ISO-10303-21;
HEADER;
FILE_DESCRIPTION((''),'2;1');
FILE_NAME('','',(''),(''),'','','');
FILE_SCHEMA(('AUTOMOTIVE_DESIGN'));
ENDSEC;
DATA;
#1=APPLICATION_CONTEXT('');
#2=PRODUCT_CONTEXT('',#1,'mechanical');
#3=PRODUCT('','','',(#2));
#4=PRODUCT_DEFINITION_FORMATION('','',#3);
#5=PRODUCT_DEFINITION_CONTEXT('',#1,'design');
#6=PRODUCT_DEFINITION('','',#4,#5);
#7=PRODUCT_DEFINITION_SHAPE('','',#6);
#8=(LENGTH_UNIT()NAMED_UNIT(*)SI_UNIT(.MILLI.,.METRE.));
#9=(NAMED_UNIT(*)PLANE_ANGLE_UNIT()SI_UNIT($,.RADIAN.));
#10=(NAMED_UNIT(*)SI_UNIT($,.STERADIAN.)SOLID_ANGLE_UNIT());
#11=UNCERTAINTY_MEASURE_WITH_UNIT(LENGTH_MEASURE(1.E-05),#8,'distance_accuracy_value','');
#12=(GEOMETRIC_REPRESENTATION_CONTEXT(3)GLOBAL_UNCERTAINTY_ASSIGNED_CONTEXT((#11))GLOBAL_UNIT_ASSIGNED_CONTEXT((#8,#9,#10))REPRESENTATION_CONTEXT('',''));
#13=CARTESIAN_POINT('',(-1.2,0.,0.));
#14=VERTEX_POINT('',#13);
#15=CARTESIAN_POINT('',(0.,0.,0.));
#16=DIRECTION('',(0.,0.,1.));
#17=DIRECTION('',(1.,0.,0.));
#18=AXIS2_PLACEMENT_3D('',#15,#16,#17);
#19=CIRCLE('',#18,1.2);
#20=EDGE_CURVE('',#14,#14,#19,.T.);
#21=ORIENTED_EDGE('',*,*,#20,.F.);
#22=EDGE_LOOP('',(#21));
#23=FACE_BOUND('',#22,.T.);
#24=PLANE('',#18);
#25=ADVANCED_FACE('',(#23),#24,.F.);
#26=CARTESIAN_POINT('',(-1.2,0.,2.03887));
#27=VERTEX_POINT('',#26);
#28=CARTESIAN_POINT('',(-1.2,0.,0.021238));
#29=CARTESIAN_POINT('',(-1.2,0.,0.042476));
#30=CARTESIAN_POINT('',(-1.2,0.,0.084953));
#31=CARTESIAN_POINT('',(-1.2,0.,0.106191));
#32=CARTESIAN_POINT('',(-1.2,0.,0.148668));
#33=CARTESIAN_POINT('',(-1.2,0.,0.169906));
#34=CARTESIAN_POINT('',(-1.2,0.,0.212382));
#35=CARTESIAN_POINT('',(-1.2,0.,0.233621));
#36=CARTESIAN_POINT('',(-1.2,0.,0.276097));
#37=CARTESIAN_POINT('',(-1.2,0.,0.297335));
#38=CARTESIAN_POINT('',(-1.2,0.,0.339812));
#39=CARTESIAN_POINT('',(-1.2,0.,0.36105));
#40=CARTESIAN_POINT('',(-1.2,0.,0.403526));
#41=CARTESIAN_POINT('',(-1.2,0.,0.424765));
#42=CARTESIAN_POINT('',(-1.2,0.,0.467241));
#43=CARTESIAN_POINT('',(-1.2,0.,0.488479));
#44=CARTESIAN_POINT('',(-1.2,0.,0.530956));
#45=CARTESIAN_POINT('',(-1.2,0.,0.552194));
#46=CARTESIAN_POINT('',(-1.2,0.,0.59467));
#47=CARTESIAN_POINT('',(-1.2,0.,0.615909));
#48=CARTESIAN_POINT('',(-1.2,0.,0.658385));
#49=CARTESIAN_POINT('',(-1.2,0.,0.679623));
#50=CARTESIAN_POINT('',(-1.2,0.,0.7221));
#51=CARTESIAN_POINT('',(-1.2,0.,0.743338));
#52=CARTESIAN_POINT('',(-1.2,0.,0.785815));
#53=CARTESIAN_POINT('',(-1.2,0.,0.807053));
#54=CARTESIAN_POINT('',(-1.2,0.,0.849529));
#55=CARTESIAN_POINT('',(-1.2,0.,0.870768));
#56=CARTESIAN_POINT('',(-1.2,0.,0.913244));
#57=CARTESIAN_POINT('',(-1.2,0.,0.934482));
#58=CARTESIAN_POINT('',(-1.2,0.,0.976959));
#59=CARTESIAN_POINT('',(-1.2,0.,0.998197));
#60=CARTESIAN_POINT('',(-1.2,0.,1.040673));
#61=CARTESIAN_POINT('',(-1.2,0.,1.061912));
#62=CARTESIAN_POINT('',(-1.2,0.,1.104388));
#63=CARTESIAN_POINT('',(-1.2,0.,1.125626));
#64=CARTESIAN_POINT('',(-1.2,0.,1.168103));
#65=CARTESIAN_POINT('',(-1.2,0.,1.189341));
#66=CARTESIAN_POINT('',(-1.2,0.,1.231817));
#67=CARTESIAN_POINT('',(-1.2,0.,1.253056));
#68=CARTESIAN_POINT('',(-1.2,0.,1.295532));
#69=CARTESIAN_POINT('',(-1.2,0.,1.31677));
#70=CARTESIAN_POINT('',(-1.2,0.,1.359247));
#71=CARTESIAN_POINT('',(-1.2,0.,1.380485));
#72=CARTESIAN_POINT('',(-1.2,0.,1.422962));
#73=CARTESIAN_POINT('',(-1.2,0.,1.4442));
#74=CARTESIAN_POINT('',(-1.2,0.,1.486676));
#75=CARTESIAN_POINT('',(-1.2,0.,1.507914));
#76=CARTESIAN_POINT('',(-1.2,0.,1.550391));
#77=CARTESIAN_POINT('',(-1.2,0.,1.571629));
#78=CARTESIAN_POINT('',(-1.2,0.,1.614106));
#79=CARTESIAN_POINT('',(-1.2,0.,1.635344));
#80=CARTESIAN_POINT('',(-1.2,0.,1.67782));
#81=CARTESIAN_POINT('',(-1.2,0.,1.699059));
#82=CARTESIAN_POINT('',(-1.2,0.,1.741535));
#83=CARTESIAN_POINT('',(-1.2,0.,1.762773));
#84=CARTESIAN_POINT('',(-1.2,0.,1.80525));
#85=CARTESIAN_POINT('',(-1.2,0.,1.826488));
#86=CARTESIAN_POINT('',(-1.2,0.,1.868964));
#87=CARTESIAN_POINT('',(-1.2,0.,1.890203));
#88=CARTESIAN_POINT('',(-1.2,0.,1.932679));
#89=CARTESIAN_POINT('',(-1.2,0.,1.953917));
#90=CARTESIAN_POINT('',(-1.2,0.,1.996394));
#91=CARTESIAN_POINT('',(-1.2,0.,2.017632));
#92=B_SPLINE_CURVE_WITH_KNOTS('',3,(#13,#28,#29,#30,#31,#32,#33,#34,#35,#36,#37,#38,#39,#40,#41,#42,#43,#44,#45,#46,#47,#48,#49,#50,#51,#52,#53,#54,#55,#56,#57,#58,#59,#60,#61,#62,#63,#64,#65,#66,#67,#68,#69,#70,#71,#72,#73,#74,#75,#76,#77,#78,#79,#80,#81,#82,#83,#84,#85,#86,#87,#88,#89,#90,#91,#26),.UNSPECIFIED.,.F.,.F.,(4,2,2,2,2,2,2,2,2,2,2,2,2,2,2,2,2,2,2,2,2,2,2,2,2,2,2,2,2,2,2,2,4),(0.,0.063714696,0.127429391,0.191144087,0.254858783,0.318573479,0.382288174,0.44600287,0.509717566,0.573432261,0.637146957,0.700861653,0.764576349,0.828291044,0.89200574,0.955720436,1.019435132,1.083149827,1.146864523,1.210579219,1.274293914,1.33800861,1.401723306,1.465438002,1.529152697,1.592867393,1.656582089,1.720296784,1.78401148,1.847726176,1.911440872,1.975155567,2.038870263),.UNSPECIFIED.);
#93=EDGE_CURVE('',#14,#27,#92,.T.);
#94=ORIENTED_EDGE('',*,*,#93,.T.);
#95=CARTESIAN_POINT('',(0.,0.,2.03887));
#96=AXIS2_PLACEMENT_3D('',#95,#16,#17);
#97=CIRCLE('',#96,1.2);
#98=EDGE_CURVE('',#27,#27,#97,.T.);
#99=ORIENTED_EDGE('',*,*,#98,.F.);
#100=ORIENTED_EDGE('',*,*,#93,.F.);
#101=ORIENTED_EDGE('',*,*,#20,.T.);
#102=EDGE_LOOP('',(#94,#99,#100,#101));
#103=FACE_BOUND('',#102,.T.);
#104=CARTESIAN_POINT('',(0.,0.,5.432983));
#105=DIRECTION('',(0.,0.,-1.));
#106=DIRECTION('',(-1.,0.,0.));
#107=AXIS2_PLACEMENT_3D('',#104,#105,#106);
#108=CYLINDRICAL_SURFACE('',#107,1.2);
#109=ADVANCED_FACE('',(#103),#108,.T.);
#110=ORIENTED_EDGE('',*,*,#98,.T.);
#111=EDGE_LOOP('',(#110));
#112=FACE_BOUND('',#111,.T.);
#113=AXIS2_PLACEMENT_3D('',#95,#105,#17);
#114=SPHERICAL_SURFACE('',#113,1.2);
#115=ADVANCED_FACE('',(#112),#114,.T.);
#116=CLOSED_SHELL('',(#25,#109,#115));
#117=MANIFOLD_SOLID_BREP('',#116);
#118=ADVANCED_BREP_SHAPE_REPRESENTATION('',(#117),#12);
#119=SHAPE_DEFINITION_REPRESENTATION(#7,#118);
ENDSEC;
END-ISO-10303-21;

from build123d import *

# Parameters (mm, degrees)
SKETCH1_R           = 1.2
BOSS_EXTRUDE1_DEPTH = 2.038870263


with BuildPart() as part:
    # Sketch1 → Boss-Extrude1 (new body)
    with BuildSketch(Plane.XY):
        with Locations(Location((0, 0, 0), (0, 0, 180))):
            Circle(SKETCH1_R)
    extrude(amount=BOSS_EXTRUDE1_DEPTH)

    # Sketch3 → Revolve1 (revolve)
    with BuildSketch(Plane(origin=(0, 0, 0), x_dir=(1, 0, 0), z_dir=(0, 1, 0))):
        with BuildLine():
            Line((0, -2.038870263), (0, -3.238870263))
            ThreePointArc((0, -3.238870263), (0.848528137, -2.887398401), (1.2, -2.038870263))
            Line((1.2, -2.038870263), (0, -2.038870263))
        make_face()
    revolve(axis=Axis((0, 0, 2.038870263), (0, 0, 1)))


solid = part.part
